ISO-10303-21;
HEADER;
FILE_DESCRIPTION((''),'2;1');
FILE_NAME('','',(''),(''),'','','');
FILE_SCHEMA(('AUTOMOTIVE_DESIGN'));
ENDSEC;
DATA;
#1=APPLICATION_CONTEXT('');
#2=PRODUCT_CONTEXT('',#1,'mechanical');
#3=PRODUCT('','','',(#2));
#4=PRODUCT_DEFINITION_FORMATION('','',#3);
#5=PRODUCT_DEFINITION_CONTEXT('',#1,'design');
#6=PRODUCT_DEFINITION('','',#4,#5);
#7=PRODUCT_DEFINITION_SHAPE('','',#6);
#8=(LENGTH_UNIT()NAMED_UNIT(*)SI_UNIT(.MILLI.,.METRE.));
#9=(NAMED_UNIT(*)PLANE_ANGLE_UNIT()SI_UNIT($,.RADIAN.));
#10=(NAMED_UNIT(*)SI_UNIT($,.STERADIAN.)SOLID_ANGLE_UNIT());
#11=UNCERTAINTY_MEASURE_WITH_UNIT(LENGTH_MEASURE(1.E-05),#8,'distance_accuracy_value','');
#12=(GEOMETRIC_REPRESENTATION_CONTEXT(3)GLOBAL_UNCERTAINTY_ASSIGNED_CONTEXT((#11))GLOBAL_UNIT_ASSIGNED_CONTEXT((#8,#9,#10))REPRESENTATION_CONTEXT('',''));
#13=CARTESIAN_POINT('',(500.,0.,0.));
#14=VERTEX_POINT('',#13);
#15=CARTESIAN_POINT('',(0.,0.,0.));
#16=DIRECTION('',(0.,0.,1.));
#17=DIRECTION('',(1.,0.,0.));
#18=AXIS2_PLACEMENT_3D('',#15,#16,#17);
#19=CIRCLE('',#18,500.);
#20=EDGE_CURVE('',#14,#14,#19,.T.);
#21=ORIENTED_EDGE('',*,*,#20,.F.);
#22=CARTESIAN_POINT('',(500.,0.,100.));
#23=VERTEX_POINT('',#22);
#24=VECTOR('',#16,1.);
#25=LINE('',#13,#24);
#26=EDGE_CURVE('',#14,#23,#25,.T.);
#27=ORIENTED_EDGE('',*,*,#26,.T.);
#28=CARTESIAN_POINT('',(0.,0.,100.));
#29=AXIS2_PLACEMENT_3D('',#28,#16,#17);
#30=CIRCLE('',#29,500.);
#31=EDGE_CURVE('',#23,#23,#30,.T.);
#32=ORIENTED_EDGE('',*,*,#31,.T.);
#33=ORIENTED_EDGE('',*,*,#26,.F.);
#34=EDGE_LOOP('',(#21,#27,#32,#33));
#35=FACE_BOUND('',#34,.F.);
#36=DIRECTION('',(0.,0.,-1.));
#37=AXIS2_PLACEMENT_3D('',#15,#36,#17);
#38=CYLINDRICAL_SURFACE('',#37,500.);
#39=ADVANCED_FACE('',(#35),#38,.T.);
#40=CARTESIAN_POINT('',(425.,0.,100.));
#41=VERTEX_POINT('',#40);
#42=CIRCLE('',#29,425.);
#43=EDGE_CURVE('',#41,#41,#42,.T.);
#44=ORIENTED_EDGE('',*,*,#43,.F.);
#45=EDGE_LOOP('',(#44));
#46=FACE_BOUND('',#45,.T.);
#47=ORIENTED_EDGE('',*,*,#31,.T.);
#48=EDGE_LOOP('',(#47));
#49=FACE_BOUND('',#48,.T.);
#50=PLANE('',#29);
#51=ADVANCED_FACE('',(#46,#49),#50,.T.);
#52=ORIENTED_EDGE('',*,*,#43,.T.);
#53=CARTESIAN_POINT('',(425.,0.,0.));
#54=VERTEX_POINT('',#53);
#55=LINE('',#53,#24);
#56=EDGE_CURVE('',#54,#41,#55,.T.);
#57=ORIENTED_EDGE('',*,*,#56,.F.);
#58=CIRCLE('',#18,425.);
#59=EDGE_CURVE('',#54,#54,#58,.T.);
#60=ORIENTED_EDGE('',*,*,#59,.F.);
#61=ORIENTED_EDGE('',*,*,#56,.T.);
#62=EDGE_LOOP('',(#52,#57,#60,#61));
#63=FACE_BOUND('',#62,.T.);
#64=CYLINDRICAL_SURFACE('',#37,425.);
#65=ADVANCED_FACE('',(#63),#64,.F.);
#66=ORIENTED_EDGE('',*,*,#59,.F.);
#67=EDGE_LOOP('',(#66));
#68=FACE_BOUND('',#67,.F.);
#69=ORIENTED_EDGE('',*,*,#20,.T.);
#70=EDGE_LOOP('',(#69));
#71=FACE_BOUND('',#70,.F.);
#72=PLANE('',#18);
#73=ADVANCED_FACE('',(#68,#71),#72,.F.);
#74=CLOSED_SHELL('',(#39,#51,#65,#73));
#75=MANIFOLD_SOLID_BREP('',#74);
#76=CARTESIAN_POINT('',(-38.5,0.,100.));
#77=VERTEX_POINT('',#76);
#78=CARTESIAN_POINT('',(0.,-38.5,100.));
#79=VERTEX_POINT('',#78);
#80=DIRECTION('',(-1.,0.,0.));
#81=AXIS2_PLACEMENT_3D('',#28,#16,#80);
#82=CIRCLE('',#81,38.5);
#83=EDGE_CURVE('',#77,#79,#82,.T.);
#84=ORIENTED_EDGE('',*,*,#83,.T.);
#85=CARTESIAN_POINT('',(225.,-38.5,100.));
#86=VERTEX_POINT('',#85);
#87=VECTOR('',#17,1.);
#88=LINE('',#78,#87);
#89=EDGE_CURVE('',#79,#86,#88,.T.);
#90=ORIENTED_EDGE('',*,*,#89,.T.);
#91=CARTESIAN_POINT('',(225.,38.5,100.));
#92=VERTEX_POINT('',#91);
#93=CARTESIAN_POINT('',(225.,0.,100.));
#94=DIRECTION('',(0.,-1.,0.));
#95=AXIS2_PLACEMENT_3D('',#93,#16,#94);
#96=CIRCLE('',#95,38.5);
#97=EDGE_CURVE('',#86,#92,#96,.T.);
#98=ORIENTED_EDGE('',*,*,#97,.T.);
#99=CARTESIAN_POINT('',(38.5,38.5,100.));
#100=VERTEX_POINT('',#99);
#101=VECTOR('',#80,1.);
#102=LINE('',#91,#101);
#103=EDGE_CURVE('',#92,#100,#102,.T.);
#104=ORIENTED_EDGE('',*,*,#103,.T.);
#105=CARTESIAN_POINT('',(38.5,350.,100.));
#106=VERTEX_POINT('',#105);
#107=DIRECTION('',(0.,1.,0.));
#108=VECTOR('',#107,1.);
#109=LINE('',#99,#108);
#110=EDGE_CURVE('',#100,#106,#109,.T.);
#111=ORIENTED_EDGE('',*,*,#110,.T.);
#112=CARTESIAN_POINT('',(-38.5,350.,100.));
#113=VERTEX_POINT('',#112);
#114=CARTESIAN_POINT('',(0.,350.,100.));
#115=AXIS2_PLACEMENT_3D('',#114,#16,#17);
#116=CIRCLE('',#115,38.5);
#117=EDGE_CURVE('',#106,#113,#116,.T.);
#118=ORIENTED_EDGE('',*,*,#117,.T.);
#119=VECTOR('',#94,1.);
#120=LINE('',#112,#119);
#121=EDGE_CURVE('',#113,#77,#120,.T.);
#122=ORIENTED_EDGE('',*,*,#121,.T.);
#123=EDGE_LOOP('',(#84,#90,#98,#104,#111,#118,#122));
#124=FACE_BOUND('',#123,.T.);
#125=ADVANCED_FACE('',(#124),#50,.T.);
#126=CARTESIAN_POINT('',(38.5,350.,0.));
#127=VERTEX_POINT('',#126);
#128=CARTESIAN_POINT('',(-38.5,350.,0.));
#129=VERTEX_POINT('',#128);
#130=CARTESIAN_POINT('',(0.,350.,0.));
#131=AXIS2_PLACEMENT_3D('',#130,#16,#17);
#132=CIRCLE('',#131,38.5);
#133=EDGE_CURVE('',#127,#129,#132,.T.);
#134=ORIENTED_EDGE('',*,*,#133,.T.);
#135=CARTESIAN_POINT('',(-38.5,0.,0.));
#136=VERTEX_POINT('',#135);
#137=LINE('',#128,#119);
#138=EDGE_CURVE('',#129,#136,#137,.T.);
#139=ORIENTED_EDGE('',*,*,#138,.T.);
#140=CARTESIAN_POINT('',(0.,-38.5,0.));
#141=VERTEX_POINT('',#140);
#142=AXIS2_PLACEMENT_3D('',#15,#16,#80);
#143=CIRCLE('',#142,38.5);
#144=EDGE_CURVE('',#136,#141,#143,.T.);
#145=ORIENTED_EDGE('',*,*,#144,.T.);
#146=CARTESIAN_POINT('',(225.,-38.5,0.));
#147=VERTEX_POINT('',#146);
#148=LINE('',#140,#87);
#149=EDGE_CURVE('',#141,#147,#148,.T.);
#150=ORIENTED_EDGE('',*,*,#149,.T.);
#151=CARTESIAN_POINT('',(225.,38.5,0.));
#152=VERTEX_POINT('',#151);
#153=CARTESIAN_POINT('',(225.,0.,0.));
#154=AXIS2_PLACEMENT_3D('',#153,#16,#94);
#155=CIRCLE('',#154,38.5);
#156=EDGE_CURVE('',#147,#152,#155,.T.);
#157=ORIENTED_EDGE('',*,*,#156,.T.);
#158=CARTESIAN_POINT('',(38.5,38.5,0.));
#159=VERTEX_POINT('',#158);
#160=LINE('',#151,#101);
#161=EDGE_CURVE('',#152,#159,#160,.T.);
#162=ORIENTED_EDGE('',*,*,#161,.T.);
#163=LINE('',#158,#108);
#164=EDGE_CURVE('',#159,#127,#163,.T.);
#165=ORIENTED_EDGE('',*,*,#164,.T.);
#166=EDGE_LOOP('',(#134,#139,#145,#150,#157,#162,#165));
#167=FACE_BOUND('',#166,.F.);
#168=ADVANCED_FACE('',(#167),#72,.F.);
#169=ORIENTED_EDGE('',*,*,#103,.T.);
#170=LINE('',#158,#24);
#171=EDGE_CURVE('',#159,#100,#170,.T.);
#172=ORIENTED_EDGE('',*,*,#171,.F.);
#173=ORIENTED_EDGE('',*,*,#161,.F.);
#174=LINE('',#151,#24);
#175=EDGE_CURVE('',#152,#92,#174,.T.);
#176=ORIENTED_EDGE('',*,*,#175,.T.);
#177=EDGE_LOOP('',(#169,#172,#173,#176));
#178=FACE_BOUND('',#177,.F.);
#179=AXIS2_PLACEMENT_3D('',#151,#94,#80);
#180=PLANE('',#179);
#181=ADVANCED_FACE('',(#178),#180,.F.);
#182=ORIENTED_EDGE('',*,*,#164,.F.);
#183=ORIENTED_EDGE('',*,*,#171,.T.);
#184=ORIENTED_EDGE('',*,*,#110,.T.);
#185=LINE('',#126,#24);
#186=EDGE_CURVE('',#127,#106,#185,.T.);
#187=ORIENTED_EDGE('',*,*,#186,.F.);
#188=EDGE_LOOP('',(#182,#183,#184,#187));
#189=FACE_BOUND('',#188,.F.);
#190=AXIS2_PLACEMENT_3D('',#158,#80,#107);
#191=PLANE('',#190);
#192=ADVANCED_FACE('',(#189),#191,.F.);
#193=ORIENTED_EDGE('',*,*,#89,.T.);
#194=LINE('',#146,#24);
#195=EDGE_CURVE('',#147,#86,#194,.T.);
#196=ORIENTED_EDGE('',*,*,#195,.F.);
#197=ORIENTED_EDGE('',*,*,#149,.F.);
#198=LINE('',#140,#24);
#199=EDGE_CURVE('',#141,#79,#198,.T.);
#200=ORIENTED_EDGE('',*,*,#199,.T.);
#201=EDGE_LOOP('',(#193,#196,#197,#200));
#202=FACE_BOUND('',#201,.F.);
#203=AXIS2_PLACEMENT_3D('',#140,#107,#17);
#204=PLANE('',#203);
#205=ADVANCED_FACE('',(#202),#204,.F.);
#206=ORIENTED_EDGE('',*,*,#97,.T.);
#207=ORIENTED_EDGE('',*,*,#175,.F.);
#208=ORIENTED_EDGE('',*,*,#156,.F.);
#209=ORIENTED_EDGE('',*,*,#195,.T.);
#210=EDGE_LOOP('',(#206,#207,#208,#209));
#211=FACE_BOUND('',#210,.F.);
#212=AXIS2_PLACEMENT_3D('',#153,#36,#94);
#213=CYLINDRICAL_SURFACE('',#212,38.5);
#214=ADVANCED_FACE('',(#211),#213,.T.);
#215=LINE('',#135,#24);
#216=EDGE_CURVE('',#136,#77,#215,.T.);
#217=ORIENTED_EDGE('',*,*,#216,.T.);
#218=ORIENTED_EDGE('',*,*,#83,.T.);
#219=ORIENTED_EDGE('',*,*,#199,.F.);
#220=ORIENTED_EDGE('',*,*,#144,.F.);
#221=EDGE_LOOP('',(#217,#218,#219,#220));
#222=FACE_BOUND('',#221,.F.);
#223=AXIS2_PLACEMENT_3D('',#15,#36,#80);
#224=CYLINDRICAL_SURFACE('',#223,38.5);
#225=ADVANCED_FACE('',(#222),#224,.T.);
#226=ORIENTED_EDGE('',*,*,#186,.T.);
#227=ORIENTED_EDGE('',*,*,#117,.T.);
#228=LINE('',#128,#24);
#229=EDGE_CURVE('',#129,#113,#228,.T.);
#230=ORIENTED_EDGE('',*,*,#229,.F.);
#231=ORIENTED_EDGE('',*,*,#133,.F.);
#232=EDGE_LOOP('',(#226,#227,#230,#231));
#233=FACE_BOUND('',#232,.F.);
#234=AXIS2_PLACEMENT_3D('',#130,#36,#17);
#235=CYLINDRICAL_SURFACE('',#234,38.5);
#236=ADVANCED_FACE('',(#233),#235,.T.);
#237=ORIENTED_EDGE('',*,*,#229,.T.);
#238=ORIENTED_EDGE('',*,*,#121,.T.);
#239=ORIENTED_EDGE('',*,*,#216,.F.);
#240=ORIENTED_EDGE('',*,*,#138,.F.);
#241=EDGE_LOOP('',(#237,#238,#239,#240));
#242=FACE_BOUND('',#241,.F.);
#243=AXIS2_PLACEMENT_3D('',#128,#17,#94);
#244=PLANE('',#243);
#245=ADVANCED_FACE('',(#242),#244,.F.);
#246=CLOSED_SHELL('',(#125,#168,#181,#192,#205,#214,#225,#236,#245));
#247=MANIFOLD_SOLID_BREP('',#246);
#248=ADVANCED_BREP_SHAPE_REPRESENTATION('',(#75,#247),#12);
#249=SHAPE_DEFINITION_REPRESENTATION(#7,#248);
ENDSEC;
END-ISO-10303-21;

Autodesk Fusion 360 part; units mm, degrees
sketch "スケッチ1" plane through (0, 0, 0) normal (0, 0, 1) x (1, 0, 0)
  line L0 (38.5, 38.5) -> (38.5, 350)
  arc A0 (38.5, 350) -> (-38.5, 350) centre (0, 350) ccw
  line L1 (-38.5, 350) -> (-38.5, 0)
  arc A1 (-38.5, 0) -> (0, -38.5) centre (0, 0) ccw
  line L2 (0, 0) -> (0, 350) construction
  line L3 (0, -38.5) -> (225, -38.5)
  arc A2 (225, -38.5) -> (225, 38.5) centre (225, 0) ccw
  line L4 (225, 38.5) -> (38.5, 38.5)
  arc A3 (-38.5, 0) -> (0, -38.5) centre (0, 0) ccw
  line L5 (0, 0) -> (225, 0) construction
  circle A4 centre (0, 0) radius 425
  circle A5 centre (0, 0) radius 500
  dimension "d1" = 77
  dimension "d2" = 225
  dimension "d3" = 350
  dimension "d4" = 75
  dimension "d5" = 1000
extrude "押し出し1" add sketch "スケッチ1" along normal blind 100 makes body 1 at (497.5154, -49.7839, 33.3333) makes body 2 at (-12.8333, 129.5, 0)
